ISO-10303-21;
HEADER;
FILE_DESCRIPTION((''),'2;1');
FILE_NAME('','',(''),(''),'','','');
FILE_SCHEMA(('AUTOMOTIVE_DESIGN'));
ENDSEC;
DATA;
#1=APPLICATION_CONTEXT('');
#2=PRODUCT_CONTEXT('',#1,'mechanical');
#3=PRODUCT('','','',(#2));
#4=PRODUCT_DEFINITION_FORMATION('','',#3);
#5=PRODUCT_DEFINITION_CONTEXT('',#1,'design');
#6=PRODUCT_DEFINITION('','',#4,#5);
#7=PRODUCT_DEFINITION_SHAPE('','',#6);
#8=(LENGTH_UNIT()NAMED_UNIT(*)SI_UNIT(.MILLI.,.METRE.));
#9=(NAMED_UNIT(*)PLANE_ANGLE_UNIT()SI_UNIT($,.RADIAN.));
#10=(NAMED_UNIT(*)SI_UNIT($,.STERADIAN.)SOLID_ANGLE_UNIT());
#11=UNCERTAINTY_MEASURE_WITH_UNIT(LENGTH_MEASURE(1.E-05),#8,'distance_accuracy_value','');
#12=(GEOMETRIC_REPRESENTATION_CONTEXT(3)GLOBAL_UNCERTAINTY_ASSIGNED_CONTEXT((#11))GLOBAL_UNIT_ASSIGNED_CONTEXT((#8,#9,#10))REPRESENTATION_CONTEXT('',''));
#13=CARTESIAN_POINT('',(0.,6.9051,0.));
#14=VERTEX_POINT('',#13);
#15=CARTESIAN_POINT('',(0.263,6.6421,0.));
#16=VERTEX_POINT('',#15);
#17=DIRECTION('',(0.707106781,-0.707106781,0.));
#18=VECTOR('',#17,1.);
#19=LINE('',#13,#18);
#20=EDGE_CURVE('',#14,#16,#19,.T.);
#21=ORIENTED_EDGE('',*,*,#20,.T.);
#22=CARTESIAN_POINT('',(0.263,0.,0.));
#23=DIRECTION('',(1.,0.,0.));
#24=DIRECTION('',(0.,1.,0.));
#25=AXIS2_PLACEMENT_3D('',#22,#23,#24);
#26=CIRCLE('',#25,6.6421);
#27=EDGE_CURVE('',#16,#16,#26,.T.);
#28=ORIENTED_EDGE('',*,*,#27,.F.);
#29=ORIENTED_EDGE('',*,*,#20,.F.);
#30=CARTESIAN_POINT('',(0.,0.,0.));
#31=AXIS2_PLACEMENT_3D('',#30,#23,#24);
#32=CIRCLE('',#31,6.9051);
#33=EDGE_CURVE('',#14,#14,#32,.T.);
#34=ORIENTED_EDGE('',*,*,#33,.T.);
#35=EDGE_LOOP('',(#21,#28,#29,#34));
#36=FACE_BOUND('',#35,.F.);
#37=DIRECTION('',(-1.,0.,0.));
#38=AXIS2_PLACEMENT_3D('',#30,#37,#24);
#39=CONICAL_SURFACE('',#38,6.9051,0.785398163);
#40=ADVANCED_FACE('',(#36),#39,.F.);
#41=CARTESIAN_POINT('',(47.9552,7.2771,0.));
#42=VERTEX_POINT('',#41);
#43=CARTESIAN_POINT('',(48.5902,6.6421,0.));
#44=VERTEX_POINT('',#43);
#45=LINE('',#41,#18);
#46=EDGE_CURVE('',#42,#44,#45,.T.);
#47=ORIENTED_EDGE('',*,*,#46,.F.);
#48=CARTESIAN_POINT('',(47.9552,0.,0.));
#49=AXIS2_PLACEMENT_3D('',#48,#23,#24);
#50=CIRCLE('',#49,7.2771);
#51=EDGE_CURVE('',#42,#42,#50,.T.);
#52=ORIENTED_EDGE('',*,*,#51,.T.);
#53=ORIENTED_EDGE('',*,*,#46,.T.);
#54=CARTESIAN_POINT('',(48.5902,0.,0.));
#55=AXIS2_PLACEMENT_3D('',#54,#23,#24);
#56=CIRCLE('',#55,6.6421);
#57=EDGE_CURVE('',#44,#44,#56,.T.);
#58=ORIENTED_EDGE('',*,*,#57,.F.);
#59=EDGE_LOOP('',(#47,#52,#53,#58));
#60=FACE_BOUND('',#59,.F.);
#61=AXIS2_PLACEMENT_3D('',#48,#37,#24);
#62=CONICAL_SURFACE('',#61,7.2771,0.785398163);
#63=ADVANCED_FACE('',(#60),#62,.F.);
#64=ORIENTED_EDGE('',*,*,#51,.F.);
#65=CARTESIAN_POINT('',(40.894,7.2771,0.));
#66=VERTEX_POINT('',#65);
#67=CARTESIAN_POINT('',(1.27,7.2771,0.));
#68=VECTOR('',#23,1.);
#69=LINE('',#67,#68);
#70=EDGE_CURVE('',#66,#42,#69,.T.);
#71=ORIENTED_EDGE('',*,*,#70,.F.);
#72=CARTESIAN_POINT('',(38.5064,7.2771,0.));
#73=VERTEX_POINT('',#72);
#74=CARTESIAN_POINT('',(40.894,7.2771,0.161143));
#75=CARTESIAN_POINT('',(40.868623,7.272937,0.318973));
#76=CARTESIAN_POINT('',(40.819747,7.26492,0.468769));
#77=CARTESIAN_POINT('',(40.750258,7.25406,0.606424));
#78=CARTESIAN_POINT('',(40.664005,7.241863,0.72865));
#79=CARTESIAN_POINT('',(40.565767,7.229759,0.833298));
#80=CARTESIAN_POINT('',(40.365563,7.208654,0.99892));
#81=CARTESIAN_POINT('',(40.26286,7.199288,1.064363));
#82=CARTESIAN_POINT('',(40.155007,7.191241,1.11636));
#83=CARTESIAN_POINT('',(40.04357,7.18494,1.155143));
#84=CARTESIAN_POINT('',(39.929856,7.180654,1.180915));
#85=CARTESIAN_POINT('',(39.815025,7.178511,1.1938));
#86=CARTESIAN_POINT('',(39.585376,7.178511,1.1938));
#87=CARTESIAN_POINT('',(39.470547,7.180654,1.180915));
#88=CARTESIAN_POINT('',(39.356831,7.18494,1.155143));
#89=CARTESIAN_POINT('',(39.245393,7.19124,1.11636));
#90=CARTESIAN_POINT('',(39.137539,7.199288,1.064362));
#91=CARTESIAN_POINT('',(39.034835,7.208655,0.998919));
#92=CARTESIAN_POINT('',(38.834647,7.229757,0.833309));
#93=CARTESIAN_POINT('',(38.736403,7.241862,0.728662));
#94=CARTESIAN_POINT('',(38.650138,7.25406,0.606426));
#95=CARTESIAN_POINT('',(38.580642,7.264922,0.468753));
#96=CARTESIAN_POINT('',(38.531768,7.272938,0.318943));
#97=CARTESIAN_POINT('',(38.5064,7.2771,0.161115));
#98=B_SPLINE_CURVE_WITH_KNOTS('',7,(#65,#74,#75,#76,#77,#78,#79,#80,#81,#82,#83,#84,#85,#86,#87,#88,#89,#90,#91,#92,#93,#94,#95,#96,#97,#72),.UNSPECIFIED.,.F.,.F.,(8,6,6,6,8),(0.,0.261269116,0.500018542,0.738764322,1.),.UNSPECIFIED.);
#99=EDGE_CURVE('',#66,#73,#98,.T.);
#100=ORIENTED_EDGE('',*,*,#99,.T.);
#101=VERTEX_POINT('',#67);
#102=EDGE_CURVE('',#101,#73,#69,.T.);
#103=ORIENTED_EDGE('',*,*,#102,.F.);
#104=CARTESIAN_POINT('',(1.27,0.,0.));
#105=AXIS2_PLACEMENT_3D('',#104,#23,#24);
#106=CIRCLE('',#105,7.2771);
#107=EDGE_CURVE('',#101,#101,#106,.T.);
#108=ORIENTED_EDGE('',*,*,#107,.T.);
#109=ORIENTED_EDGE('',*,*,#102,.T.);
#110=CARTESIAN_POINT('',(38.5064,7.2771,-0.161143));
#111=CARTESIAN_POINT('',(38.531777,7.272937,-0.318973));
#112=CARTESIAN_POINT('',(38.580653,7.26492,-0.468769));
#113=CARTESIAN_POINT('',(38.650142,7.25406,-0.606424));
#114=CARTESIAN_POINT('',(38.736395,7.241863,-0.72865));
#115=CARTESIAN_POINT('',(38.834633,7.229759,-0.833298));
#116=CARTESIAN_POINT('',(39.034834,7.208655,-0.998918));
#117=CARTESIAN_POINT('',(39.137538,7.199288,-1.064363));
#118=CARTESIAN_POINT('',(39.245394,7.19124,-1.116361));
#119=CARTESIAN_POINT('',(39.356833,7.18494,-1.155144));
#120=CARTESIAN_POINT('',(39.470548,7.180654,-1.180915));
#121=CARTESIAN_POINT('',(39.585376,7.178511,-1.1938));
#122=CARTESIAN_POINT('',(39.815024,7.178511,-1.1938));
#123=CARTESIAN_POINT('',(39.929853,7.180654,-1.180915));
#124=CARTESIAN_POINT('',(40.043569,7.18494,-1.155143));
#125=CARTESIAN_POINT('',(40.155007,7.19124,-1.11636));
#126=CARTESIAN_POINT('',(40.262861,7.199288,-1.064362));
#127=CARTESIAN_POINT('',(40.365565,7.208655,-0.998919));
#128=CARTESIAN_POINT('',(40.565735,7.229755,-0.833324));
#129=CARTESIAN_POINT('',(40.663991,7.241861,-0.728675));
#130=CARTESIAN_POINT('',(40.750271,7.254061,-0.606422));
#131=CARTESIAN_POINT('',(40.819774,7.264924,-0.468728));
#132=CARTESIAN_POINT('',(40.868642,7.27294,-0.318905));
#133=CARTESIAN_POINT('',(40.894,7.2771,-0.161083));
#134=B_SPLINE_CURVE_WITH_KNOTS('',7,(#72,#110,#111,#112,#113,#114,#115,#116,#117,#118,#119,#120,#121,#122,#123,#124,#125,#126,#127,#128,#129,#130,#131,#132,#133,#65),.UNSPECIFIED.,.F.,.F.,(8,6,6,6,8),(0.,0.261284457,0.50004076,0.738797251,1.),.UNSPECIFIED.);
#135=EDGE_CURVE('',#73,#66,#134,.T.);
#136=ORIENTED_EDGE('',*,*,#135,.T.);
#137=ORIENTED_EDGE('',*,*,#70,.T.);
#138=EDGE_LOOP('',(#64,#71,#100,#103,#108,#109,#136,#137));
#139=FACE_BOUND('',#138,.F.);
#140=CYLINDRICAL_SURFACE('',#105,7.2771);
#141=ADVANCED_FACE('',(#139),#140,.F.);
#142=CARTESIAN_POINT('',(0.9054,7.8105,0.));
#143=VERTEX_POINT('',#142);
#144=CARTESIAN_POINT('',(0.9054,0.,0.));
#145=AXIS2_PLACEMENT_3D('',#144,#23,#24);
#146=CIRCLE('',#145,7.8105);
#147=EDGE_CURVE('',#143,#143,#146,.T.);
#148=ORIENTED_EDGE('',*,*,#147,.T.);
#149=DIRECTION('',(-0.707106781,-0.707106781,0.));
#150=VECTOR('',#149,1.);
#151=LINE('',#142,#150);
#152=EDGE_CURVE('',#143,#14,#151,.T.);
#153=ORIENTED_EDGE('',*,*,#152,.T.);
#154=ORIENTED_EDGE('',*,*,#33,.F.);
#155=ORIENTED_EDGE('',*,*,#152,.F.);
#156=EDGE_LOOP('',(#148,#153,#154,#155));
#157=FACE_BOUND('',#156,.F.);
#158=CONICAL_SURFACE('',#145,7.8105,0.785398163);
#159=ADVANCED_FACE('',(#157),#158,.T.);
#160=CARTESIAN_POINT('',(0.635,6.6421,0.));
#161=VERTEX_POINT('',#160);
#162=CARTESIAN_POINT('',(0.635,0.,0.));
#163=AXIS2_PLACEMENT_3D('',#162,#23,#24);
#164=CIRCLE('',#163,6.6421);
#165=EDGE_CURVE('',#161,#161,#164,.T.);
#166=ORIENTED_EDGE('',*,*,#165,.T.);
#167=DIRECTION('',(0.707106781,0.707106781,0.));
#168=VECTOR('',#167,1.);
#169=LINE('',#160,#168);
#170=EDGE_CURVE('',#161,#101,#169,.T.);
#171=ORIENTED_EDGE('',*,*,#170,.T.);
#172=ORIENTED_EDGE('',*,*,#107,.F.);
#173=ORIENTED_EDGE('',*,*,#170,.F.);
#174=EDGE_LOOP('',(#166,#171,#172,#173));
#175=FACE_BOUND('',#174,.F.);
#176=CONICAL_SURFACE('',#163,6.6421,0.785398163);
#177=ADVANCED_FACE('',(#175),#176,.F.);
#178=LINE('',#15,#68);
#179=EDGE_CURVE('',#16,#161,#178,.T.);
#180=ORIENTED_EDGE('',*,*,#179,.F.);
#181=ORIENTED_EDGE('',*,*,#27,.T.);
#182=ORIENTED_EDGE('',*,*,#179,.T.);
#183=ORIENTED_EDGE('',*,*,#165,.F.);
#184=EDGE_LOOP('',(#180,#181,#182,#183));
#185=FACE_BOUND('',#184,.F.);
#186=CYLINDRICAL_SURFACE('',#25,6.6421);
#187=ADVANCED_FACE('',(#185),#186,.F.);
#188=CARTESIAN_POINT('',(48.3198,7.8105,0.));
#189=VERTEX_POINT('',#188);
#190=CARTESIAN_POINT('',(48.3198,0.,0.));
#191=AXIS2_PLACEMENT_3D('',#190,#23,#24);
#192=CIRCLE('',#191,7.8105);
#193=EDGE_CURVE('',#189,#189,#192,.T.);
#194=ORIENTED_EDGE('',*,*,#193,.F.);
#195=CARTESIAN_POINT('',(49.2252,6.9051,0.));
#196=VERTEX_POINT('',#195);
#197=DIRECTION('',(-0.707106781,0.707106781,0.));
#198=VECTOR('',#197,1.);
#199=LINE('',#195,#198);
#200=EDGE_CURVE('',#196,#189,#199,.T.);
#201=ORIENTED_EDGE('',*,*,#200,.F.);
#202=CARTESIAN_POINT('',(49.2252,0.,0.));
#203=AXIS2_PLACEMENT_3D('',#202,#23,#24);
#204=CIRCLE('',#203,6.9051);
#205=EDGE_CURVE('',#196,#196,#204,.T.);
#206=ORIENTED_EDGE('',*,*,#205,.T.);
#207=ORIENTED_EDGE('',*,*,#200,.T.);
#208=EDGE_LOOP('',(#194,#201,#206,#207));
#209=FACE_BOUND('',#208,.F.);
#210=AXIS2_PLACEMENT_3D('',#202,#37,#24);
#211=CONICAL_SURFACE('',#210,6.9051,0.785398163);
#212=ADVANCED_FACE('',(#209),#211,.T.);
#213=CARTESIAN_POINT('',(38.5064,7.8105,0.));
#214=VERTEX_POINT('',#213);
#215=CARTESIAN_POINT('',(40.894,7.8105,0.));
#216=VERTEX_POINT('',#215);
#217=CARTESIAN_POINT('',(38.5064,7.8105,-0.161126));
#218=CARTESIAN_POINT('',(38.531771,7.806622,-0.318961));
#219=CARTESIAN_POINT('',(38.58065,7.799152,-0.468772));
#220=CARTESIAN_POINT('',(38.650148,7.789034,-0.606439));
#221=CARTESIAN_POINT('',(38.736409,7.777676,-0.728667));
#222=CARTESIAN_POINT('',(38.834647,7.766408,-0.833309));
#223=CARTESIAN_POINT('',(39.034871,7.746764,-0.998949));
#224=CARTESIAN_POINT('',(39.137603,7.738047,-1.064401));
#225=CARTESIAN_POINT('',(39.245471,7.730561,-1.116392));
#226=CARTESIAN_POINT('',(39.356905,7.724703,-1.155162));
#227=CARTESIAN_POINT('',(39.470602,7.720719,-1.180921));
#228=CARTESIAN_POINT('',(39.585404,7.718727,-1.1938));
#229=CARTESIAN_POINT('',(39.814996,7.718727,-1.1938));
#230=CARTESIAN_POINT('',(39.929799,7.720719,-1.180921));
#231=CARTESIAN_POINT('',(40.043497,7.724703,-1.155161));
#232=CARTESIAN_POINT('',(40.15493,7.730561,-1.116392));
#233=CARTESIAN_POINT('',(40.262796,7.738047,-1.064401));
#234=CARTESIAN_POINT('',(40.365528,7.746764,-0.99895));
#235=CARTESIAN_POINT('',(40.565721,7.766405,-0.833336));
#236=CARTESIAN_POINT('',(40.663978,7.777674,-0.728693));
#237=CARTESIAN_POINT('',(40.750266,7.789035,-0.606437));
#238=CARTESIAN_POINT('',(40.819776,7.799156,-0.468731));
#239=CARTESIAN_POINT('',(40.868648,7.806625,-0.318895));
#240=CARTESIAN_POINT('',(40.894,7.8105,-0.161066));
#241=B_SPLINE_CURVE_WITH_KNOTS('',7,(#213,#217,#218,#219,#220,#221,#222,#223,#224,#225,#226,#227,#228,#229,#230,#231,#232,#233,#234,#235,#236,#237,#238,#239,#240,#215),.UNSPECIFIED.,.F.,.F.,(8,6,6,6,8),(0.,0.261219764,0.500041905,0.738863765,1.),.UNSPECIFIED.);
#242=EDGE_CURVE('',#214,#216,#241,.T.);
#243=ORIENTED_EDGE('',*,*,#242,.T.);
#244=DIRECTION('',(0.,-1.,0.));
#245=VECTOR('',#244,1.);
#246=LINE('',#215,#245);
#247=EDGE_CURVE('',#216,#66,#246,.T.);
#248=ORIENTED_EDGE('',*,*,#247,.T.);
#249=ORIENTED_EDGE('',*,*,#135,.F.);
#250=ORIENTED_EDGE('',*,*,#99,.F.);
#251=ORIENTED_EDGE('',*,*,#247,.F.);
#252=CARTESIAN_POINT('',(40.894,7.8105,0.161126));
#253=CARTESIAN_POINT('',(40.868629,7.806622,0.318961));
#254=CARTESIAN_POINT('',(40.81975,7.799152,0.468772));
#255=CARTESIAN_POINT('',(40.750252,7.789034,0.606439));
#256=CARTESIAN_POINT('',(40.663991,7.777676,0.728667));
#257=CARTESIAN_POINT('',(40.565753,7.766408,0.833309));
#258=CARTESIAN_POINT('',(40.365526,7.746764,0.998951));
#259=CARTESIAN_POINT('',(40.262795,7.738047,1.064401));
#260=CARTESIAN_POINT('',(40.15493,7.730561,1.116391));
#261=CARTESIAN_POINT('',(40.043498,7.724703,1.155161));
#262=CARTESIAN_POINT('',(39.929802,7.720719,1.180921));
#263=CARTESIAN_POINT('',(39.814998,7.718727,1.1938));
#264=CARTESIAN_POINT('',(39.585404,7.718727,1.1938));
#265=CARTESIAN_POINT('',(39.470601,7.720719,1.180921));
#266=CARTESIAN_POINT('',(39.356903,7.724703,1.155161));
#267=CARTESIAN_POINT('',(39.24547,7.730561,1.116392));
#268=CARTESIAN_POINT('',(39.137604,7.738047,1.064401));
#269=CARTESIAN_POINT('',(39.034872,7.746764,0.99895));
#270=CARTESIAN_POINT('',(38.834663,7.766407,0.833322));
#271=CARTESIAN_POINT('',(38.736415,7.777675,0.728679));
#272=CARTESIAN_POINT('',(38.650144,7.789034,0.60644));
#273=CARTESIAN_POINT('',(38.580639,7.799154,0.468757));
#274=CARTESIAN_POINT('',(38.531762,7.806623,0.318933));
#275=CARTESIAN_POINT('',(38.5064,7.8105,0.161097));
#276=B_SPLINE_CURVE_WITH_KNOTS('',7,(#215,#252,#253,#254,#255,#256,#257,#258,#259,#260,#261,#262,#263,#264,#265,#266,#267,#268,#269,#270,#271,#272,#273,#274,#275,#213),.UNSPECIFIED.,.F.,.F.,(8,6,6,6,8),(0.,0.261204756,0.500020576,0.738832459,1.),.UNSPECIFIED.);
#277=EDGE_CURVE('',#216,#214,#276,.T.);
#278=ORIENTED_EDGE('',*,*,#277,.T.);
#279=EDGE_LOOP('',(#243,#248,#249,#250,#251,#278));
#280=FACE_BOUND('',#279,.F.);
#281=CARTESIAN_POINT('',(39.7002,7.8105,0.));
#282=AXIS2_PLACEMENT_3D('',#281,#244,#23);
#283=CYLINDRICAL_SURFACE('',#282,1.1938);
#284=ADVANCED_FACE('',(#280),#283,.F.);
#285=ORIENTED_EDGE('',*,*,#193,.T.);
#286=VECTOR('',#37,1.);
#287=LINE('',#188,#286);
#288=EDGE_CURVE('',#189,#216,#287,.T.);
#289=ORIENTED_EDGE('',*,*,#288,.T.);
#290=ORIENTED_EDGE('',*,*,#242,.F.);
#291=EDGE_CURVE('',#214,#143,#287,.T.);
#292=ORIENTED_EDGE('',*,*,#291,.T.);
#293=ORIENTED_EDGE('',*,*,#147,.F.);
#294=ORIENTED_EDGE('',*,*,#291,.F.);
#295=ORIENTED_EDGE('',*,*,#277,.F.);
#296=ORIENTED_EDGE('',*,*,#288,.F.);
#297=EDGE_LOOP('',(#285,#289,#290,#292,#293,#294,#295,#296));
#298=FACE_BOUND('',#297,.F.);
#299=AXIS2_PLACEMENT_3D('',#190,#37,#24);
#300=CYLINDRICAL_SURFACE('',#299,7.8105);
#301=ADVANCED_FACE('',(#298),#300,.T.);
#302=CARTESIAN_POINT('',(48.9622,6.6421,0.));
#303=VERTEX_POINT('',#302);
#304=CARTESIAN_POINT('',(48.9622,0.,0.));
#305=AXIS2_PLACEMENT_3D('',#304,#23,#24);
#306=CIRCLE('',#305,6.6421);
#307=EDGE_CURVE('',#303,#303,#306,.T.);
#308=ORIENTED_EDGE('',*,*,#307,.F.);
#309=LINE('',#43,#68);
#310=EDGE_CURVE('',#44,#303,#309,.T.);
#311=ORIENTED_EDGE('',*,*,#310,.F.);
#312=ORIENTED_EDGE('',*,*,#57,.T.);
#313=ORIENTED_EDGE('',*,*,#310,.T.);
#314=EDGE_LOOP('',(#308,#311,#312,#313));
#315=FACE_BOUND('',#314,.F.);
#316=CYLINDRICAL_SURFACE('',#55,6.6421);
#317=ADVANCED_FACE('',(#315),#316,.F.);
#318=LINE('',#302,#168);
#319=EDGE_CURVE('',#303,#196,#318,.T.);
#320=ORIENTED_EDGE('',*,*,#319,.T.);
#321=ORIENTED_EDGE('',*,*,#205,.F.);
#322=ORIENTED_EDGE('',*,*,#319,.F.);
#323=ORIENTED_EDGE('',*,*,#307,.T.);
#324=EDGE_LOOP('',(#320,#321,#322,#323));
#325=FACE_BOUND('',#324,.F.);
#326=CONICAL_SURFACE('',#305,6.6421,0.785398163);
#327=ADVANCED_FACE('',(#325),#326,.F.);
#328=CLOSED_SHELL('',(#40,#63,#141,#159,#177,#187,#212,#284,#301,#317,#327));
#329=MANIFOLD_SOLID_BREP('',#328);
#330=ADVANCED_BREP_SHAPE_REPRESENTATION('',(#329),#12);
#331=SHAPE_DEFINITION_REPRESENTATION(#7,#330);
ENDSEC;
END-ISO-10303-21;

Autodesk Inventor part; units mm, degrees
sketch "Sketch_5" plane through (0, 0, 0) normal (0, 0, 1) x (1, 0, 0)
  line L0 (49.2252, 0) -> (-49.2252, 0)
  line L1 (0, 6.9051) -> (0.263, 6.6421)
  line L2 (0.263, 6.6421) -> (0.635, 6.6421)
  line L3 (0.635, 6.6421) -> (1.27, 7.2771)
  line L4 (1.27, 7.2771) -> (47.9552, 7.2771)
  line L5 (47.9552, 7.2771) -> (48.5902, 6.6421)
  line L6 (48.5902, 6.6421) -> (48.9622, 6.6421)
  line L7 (48.9622, 6.6421) -> (49.2252, 6.9051)
  line L8 (49.2252, 6.9051) -> (48.3198, 7.8105)
  line L9 (48.3198, 7.8105) -> (0.9054, 7.8105)
  line L10 (0.9054, 7.8105) -> (0, 6.9051)
revolve "Revolution1" add sketch "Sketch_5" angle 360 about axis through (49.2252, 0, 0) along (1, 0, 0)
sketch "Sketch_1" plane through (0, 0, 0) normal (0, 0, 1) x (1, 0, 0)
  line L0 (39.7002, 0) -> (39.7002, 7.8105)
  line L1 (39.7002, 7.8105) -> (40.894, 7.8105)
  line L2 (40.894, 7.8105) -> (40.894, 0)
  line L3 (40.894, 0) -> (39.7002, 0)
  line L4 (39.7002, 0) -> (39.7002, 7.8105)
revolve "Revolution2" cut sketch "Sketch_1" angle 360 about axis through (39.7002, 0, 0) along (0, -1, 0)
ref_plane "o1_XY" through (0, -7.8105, 0) normal (1, 0, 0) x (0, 0, -1)
ref_plane "o1_YZ" through (0, -7.8105, 0) normal (0, 0, -1) x (0, 1, 0)
ref_plane "o1_ZX" through (0, -7.8105, 0) normal (0, 1, 0) x (1, 0, 0)
ref_plane "o2_XY" through (0, 7.8105, 0) normal (1, 0, 0) x (0, 0, -1)
ref_plane "o2_YZ" through (0, 7.8105, 0) normal (0, 0, -1) x (0, 1, 0)
ref_plane "o2_ZX" through (0, 7.8105, 0) normal (0, 1, 0) x (1, 0, 0)
ref_plane "t1_XY" through (24.6126, 7.8105, 0) normal (1, 0, 0) x (0, 0, -1)
ref_plane "t1_YZ" through (24.6126, 7.8105, 0) normal (0, 0, -1) x (0, 1, 0)
ref_plane "t1_ZX" through (24.6126, 7.8105, 0) normal (0, 1, 0) x (1, 0, 0)
ref_plane "t2_XY" through (24.6126, 0, -7.8105) normal (1, 0, 0) x (0, 0, -1)
ref_plane "t2_YZ" through (24.6126, 0, -7.8105) normal (0, 0, -1) x (0, 1, 0)
ref_plane "t2_ZX" through (24.6126, 0, -7.8105) normal (0, 1, 0) x (1, 0, 0)
ref_plane "t3_XY" through (24.6126, -7.8105, 0) normal (1, 0, 0) x (0, 0, -1)
ref_plane "t3_YZ" through (24.6126, -7.8105, 0) normal (0, 0, -1) x (0, 1, 0)
ref_plane "t3_ZX" through (24.6126, -7.8105, 0) normal (0, 1, 0) x (1, 0, 0)
ref_plane "t4_XY" through (24.6126, 0, 7.8105) normal (1, 0, 0) x (0, 0, -1)
ref_plane "t4_YZ" through (24.6126, 0, 7.8105) normal (0, 0, -1) x (0, 1, 0)
ref_plane "t4_ZX" through (24.6126, 0, 7.8105) normal (0, 1, 0) x (1, 0, 0)
ref_plane "tube1_XY" through (1.27, 0, 0) normal (1, 0, 0) x (0, 0, -1)
ref_plane "tube1_YZ" through (1.27, 0, 0) normal (0, 0, -1) x (0, 1, 0)
ref_plane "tube1_ZX" through (1.27, 0, 0) normal (0, 1, 0) x (1, 0, 0)
ref_plane "tube2_XY" through (47.9552, 0, 0) normal (1, 0, 0) x (0, 0, -1)
ref_plane "tube2_YZ" through (47.9552, 0, 0) normal (0, 0, -1) x (0, 1, 0)
ref_plane "tube2_ZX" through (47.9552, 0, 0) normal (0, 1, 0) x (1, 0, 0)
properties part number "D-75938XP-1.938"
